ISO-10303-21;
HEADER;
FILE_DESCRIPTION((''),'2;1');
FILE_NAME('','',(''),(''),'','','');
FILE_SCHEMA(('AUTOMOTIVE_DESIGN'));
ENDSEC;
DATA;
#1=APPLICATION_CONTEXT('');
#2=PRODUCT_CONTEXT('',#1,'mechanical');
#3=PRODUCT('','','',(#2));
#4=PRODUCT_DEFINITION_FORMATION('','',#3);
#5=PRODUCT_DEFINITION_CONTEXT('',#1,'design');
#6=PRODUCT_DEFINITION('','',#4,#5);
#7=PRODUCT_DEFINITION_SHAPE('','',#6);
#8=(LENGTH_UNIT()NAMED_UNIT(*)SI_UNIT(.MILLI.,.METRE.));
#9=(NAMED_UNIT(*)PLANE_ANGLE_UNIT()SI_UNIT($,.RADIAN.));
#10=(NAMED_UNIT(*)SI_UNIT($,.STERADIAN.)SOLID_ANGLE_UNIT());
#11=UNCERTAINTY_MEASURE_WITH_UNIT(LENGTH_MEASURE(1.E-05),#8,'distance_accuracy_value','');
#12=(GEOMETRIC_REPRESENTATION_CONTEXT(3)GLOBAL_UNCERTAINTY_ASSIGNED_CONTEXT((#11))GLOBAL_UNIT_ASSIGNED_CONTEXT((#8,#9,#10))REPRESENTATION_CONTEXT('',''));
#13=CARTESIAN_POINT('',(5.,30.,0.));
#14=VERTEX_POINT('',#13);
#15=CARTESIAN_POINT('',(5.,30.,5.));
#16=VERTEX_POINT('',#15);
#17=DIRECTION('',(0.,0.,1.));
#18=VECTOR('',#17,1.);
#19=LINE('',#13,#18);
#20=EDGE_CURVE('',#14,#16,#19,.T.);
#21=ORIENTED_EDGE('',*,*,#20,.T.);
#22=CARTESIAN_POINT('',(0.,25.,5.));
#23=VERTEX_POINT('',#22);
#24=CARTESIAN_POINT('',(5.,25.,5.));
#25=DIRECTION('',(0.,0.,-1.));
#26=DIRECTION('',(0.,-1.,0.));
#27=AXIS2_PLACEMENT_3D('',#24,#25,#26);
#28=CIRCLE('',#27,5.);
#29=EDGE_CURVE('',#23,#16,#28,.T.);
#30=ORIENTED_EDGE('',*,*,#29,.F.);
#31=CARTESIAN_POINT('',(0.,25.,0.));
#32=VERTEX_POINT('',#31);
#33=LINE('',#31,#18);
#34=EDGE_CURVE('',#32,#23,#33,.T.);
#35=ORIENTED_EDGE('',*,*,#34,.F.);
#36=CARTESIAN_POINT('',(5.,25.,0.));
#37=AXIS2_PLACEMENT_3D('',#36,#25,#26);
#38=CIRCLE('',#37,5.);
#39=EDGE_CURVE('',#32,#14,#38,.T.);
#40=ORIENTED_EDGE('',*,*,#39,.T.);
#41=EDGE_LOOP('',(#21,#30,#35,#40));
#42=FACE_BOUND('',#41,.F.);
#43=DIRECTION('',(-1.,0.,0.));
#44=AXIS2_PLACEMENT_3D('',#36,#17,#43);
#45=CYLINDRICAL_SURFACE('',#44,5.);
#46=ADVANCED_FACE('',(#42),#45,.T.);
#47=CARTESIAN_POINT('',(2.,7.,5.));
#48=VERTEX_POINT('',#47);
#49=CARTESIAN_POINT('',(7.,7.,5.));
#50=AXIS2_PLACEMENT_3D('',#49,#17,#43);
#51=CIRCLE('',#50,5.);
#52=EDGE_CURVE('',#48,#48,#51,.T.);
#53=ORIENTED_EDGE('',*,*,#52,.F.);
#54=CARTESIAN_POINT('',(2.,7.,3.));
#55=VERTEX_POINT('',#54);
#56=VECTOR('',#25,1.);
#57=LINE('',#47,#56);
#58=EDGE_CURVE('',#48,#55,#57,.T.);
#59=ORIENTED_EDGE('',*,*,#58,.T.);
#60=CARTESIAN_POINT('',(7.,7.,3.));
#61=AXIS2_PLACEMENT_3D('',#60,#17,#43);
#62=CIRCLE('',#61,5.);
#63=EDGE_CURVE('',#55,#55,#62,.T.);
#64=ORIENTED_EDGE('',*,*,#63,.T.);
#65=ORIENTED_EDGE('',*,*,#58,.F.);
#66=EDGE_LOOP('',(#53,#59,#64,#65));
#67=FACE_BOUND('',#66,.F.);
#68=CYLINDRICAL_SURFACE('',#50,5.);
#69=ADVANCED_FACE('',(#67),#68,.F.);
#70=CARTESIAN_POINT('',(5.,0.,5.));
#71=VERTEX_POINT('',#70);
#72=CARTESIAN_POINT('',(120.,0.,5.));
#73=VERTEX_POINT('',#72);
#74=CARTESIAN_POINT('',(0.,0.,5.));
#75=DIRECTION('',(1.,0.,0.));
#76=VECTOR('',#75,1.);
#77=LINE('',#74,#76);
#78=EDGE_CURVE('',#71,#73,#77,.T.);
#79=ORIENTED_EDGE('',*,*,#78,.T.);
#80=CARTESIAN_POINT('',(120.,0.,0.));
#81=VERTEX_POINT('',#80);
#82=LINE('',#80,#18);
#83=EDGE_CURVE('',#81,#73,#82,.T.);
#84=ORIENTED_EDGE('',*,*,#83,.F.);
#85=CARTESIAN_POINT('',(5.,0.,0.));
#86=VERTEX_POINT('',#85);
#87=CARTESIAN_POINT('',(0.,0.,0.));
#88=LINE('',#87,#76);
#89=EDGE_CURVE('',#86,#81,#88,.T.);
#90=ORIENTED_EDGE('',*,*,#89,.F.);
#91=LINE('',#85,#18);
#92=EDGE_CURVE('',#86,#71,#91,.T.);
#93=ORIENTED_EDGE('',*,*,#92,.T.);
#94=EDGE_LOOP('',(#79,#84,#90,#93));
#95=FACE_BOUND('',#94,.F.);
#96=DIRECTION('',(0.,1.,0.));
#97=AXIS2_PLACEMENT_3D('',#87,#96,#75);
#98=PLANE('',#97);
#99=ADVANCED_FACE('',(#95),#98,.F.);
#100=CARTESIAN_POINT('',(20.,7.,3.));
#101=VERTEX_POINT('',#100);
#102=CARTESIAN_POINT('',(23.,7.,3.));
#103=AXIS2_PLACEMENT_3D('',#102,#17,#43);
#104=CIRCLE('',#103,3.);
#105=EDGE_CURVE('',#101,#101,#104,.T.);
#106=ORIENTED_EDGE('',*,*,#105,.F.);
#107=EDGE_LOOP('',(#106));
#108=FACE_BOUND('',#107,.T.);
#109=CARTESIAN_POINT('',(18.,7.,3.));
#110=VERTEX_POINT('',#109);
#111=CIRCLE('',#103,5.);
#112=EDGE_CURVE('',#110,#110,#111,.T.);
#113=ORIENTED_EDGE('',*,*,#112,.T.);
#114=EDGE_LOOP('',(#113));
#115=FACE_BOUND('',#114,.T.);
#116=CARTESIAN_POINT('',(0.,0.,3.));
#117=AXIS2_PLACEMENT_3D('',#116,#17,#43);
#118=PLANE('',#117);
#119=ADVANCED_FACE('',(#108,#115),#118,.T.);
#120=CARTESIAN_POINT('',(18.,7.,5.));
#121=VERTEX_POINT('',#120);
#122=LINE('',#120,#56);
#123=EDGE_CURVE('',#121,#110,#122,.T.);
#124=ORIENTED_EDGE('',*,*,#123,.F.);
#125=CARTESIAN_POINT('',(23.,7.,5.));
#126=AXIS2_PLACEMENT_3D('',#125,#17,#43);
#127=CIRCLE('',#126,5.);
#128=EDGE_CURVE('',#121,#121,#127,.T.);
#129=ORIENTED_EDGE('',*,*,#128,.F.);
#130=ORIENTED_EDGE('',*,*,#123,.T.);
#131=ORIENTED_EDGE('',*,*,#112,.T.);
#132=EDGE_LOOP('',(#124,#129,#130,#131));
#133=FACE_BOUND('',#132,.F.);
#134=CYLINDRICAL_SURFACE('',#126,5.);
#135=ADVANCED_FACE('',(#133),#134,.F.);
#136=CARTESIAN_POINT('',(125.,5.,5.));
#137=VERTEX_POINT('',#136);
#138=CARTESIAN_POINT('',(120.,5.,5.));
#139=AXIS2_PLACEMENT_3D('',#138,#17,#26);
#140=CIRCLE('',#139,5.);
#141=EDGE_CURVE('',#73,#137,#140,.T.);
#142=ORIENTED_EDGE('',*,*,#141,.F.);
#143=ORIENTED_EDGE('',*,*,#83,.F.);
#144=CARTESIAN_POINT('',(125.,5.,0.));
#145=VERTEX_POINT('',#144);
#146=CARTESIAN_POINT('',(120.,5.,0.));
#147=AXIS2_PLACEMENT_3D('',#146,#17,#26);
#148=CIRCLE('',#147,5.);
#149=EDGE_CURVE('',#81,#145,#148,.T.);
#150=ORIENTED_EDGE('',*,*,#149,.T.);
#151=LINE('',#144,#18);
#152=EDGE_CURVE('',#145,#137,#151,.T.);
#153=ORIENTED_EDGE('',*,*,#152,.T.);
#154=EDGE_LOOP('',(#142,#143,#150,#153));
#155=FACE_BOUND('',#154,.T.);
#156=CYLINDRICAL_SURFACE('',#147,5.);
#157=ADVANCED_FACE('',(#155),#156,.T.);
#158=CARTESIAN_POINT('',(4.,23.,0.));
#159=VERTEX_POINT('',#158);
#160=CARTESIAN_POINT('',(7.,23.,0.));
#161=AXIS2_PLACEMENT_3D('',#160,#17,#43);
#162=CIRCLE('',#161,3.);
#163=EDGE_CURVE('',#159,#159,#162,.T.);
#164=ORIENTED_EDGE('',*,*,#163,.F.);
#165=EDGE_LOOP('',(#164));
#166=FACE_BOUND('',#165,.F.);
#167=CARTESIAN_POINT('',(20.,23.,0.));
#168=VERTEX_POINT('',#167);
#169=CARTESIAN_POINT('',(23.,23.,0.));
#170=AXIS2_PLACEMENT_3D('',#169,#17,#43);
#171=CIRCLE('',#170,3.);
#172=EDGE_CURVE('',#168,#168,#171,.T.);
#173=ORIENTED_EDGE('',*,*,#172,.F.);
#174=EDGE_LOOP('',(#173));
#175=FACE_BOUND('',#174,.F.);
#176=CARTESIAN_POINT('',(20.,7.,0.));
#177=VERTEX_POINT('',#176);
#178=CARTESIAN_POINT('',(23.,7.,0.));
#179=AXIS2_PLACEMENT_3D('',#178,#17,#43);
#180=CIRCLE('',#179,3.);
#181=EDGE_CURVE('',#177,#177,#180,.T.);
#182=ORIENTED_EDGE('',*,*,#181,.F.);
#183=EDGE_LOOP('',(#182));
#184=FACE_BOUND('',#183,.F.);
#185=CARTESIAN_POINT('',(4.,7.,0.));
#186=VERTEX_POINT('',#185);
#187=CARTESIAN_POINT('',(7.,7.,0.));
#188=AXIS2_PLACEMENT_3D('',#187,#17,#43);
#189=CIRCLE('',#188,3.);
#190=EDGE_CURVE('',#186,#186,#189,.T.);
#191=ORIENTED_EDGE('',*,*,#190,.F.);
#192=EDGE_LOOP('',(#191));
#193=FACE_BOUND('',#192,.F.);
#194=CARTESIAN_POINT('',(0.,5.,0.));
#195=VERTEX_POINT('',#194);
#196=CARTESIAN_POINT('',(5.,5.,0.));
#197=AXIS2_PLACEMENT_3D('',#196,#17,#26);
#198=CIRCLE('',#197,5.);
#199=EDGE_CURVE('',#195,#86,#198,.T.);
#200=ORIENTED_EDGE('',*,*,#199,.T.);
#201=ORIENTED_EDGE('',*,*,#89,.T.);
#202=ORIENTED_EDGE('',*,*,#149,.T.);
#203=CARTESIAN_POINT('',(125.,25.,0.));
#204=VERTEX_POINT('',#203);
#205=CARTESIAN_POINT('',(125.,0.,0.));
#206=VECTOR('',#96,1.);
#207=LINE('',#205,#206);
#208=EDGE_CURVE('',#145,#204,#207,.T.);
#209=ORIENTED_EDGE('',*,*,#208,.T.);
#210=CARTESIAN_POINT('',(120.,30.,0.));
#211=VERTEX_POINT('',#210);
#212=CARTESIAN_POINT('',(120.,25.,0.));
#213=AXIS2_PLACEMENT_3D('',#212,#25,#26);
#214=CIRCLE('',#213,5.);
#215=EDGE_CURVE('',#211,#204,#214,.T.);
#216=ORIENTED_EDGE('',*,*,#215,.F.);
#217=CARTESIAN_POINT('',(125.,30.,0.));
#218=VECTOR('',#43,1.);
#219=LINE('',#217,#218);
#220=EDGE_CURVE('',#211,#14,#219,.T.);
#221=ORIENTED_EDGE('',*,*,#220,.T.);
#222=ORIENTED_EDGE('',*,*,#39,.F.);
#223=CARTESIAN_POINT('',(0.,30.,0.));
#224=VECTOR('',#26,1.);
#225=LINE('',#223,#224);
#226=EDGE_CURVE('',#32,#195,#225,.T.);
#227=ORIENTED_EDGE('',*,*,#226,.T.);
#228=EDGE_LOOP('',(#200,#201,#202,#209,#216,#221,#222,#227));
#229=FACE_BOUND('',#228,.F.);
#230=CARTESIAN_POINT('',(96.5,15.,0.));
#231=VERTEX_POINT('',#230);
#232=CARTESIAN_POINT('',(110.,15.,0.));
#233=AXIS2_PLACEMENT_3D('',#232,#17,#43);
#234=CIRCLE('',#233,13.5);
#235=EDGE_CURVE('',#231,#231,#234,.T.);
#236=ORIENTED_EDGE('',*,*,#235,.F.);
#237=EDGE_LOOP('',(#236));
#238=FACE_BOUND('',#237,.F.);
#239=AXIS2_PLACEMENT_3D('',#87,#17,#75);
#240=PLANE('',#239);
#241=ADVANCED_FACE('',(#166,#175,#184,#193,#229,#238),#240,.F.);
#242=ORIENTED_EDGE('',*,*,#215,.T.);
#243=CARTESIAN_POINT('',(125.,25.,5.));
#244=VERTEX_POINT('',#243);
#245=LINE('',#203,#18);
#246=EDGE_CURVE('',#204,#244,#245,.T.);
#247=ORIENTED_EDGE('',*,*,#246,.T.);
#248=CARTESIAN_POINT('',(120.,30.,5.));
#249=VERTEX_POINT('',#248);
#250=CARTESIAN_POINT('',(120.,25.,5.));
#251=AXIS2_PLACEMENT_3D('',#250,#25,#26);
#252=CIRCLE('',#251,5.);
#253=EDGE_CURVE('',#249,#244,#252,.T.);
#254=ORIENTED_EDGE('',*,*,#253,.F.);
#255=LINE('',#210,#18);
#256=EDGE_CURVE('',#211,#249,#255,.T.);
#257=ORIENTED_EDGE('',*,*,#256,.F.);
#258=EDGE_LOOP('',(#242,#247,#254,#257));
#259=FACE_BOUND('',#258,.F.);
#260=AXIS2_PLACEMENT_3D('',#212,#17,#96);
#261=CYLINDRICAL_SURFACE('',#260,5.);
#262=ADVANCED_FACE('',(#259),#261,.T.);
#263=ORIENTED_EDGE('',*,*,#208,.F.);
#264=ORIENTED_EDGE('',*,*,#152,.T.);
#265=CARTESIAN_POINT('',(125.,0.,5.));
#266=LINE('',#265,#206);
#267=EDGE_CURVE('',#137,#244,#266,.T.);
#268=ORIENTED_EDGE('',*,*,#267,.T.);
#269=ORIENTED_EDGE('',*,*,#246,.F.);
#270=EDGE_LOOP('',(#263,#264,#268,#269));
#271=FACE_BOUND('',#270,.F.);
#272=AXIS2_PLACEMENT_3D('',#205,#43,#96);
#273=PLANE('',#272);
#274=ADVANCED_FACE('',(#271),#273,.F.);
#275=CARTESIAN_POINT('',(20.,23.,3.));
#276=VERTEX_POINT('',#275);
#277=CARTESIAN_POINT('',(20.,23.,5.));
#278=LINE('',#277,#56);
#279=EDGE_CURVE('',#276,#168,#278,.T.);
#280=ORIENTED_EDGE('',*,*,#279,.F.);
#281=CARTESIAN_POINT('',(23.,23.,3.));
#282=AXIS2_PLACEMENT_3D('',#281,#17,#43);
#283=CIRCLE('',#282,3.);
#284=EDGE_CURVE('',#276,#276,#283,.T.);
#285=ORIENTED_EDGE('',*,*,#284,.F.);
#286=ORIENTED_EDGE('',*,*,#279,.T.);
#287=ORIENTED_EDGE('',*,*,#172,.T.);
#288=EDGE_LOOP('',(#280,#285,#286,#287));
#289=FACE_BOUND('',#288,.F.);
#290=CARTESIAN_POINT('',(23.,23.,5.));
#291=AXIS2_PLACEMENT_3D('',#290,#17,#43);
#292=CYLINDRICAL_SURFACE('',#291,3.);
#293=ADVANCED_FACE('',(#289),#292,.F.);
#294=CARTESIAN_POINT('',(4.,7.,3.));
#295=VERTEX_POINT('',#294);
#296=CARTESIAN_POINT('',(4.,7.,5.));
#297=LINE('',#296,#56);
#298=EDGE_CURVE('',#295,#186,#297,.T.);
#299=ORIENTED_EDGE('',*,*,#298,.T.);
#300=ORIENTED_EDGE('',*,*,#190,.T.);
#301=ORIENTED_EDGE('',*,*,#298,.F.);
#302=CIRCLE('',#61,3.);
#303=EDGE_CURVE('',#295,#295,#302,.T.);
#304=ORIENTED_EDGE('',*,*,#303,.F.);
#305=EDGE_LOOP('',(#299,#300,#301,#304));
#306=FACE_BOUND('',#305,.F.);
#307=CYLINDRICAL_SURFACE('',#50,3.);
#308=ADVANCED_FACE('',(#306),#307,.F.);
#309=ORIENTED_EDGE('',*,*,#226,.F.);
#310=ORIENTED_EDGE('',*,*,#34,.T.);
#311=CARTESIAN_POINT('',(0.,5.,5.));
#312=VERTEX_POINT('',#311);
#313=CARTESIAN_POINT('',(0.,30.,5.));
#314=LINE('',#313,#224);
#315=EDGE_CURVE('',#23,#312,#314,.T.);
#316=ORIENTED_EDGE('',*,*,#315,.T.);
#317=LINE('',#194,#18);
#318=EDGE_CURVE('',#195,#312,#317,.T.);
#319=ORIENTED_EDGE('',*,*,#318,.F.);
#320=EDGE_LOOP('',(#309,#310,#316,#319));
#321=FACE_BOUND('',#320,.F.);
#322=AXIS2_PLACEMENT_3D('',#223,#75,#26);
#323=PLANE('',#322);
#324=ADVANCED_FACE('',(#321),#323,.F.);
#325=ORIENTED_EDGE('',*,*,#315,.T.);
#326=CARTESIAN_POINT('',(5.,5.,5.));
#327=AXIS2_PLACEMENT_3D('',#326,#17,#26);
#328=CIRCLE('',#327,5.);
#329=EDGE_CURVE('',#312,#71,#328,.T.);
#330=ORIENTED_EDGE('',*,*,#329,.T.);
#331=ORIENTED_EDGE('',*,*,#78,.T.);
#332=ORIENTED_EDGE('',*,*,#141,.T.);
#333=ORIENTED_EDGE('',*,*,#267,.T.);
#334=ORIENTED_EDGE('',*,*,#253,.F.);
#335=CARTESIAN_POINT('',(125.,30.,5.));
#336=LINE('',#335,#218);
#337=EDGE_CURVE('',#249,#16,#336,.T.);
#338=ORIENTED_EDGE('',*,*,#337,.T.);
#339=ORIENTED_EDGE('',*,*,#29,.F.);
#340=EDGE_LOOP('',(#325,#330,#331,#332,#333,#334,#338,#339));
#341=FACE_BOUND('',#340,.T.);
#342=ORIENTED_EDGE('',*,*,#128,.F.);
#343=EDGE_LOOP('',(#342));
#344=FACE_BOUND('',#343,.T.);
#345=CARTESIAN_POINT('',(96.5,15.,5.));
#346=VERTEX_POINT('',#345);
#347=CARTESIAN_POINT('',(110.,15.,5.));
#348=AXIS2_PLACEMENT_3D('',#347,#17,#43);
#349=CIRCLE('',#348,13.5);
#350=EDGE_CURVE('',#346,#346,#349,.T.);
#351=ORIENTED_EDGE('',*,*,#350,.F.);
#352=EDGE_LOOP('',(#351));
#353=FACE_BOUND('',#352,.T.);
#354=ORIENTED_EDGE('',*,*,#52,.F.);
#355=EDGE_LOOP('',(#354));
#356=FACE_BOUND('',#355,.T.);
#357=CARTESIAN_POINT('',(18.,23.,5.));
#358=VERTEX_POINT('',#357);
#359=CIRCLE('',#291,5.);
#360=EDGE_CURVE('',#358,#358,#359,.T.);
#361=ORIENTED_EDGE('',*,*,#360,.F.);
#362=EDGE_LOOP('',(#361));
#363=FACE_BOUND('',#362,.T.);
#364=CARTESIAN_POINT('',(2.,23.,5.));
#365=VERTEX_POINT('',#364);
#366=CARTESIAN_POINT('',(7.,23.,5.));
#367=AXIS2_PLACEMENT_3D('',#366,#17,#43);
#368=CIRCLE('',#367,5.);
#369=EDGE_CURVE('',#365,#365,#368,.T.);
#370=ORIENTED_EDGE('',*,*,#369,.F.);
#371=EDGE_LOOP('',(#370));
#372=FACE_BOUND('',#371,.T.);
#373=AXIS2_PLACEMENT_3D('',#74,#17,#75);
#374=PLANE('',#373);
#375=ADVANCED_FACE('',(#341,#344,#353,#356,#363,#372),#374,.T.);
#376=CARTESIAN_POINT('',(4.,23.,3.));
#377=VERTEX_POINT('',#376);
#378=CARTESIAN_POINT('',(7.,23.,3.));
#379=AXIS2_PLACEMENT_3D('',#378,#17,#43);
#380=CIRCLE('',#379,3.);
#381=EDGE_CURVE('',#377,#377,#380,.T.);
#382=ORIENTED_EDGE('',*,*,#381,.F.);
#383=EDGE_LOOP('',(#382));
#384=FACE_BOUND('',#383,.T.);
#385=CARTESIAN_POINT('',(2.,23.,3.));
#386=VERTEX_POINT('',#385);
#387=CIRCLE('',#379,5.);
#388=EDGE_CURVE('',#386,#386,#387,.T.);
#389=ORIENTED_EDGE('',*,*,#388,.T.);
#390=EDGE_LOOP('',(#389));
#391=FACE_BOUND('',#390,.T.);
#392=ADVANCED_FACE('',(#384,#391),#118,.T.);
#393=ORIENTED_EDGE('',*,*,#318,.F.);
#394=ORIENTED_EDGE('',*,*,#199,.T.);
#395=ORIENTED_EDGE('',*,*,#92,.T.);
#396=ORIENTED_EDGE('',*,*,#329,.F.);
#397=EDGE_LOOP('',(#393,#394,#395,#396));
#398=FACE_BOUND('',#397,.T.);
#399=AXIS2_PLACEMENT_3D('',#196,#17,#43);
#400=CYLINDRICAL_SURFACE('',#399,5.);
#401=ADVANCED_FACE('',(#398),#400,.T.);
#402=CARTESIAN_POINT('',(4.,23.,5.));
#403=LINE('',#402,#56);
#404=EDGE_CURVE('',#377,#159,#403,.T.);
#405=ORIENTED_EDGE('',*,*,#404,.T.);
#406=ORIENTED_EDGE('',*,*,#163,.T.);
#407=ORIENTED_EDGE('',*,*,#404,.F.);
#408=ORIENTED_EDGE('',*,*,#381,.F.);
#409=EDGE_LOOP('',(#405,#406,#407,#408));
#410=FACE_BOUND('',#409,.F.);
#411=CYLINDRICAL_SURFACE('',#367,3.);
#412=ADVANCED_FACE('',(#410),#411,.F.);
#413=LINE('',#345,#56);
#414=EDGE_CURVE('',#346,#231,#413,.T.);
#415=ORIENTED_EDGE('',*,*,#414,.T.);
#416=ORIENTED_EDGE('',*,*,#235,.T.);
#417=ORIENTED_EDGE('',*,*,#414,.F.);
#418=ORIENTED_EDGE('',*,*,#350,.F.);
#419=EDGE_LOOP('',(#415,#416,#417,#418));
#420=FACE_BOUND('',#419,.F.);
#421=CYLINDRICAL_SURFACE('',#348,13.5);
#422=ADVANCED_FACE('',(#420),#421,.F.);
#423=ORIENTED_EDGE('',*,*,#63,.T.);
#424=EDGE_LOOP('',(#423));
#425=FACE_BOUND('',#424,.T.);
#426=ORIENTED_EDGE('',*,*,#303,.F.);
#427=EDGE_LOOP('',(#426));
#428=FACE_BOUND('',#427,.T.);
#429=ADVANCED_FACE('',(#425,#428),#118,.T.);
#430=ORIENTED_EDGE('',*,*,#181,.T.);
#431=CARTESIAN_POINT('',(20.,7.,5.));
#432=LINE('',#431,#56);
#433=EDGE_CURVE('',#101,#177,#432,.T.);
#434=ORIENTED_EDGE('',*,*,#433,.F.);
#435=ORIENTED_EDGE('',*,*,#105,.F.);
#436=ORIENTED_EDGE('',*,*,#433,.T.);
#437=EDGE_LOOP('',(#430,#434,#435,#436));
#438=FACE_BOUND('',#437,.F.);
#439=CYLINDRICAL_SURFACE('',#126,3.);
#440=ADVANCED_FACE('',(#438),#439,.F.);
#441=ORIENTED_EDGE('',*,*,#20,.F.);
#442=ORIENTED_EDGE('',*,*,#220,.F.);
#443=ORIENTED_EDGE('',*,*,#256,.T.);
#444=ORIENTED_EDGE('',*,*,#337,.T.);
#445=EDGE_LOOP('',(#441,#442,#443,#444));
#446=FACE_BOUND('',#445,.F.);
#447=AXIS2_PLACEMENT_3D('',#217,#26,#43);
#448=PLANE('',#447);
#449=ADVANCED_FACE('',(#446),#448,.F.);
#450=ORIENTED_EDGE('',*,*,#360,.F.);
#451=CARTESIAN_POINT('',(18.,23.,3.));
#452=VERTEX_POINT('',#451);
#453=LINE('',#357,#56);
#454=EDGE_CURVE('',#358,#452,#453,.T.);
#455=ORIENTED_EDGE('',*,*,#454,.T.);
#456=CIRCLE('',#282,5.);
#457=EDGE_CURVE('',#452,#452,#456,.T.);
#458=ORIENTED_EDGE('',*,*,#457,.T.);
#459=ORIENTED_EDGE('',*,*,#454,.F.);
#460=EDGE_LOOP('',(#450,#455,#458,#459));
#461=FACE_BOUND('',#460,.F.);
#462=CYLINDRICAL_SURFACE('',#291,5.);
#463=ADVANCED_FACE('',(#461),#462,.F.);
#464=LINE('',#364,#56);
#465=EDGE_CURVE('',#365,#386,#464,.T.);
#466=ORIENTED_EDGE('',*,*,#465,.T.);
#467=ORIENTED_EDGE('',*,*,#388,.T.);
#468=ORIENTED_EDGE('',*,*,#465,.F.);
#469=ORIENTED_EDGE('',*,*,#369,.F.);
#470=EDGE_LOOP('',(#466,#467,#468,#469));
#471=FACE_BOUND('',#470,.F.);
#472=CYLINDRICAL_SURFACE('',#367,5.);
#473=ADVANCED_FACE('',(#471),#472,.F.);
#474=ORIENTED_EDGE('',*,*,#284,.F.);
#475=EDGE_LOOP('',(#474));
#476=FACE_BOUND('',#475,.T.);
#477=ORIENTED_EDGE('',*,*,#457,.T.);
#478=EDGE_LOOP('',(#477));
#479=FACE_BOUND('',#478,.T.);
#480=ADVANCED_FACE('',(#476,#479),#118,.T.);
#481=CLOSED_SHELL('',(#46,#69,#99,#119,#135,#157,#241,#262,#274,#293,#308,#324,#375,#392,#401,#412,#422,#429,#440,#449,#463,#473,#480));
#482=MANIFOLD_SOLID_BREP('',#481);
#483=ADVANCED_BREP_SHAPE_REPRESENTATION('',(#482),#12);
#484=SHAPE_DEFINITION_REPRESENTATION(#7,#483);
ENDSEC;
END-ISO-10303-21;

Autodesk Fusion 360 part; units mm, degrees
sketch "Sketch1" plane through (0, 0, 0) normal (0, 0, 1) x (1, 0, 0)
  line L0 (0, 0) -> (125, 0)
  line L1 (125, 0) -> (125, 30)
  line L2 (125, 30) -> (0, 30)
  line L3 (0, 30) -> (0, 0)
  dimension "d1" = 125
  dimension "d2" = 30
extrude "Extrude1" add sketch "Sketch1" along normal blind 5
sketch "Sketch2" plane through (0, 0, 5) normal (0, 0, 1) x (-1, 0, 0)
  line L0 (0, -30) -> (0, 0)
  line L1 (0, 0) -> (-125, 0)
  line L2 (-125, 0) -> (-125, -30)
  line L3 (-125, -30) -> (0, -30)
  circle A0 centre (-110, -15) radius 13.5
  dimension "d5" = 27
extrude "Extrude2" cut sketch "Sketch2" against normal blind 5 contours A0
sketch "Sketch3" plane through (0, 0, 5) normal (0, 0, 1) x (-1, 0, 0)
  circle A0 centre (-110, -15) radius 13.5
  line L0 (0, -30) -> (0, 0)
  line L1 (0, 0) -> (-125, 0)
  line L2 (-125, 0) -> (-125, -30)
  line L3 (-125, -30) -> (0, -30)
  circle A1 centre (-7, -23) radius 3
  circle A2 centre (-7, -7) radius 3
  circle A3 centre (-23, -23) radius 3
  circle A4 centre (-23, -7) radius 3
  dimension "d8" = 6
  dimension "d9" = 6
  dimension "d10" = 6
  dimension "d11" = 6
extrude "Extrude3" cut sketch "Sketch3" against normal blind 5 contours A1 | A2 | A3 | A4
sketch "Sketch4" plane through (0, 0, 5) normal (0, 0, 1) x (-1, 0, 0)
  circle A0 centre (-23, -7) radius 3
  circle A1 centre (-23, -23) radius 3
  circle A2 centre (-7, -7) radius 3
  circle A3 centre (-7, -23) radius 3
  circle A4 centre (-110, -15) radius 13.5
  line L0 (0, -30) -> (0, 0)
  line L1 (0, 0) -> (-125, 0)
  line L2 (-125, 0) -> (-125, -30)
  line L3 (-125, -30) -> (0, -30)
  circle A5 centre (-7, -23) radius 5
  circle A6 centre (-23, -23) radius 5
  circle A7 centre (-7, -7) radius 5
  circle A8 centre (-23, -7) radius 5
  dimension "d14" = 10
  dimension "d15" = 10
  dimension "d16" = 10
  dimension "d17" = 10
extrude "Extrude4" cut sketch "Sketch4" against normal blind 2 contours A5 | A6 | A7 | A8
fillet "Fillet1" radius 5 4 edges at (125, 30, 2.5) (125, 0, 2.5) (0, 0, 2.5) (0, 30, 2.5)
